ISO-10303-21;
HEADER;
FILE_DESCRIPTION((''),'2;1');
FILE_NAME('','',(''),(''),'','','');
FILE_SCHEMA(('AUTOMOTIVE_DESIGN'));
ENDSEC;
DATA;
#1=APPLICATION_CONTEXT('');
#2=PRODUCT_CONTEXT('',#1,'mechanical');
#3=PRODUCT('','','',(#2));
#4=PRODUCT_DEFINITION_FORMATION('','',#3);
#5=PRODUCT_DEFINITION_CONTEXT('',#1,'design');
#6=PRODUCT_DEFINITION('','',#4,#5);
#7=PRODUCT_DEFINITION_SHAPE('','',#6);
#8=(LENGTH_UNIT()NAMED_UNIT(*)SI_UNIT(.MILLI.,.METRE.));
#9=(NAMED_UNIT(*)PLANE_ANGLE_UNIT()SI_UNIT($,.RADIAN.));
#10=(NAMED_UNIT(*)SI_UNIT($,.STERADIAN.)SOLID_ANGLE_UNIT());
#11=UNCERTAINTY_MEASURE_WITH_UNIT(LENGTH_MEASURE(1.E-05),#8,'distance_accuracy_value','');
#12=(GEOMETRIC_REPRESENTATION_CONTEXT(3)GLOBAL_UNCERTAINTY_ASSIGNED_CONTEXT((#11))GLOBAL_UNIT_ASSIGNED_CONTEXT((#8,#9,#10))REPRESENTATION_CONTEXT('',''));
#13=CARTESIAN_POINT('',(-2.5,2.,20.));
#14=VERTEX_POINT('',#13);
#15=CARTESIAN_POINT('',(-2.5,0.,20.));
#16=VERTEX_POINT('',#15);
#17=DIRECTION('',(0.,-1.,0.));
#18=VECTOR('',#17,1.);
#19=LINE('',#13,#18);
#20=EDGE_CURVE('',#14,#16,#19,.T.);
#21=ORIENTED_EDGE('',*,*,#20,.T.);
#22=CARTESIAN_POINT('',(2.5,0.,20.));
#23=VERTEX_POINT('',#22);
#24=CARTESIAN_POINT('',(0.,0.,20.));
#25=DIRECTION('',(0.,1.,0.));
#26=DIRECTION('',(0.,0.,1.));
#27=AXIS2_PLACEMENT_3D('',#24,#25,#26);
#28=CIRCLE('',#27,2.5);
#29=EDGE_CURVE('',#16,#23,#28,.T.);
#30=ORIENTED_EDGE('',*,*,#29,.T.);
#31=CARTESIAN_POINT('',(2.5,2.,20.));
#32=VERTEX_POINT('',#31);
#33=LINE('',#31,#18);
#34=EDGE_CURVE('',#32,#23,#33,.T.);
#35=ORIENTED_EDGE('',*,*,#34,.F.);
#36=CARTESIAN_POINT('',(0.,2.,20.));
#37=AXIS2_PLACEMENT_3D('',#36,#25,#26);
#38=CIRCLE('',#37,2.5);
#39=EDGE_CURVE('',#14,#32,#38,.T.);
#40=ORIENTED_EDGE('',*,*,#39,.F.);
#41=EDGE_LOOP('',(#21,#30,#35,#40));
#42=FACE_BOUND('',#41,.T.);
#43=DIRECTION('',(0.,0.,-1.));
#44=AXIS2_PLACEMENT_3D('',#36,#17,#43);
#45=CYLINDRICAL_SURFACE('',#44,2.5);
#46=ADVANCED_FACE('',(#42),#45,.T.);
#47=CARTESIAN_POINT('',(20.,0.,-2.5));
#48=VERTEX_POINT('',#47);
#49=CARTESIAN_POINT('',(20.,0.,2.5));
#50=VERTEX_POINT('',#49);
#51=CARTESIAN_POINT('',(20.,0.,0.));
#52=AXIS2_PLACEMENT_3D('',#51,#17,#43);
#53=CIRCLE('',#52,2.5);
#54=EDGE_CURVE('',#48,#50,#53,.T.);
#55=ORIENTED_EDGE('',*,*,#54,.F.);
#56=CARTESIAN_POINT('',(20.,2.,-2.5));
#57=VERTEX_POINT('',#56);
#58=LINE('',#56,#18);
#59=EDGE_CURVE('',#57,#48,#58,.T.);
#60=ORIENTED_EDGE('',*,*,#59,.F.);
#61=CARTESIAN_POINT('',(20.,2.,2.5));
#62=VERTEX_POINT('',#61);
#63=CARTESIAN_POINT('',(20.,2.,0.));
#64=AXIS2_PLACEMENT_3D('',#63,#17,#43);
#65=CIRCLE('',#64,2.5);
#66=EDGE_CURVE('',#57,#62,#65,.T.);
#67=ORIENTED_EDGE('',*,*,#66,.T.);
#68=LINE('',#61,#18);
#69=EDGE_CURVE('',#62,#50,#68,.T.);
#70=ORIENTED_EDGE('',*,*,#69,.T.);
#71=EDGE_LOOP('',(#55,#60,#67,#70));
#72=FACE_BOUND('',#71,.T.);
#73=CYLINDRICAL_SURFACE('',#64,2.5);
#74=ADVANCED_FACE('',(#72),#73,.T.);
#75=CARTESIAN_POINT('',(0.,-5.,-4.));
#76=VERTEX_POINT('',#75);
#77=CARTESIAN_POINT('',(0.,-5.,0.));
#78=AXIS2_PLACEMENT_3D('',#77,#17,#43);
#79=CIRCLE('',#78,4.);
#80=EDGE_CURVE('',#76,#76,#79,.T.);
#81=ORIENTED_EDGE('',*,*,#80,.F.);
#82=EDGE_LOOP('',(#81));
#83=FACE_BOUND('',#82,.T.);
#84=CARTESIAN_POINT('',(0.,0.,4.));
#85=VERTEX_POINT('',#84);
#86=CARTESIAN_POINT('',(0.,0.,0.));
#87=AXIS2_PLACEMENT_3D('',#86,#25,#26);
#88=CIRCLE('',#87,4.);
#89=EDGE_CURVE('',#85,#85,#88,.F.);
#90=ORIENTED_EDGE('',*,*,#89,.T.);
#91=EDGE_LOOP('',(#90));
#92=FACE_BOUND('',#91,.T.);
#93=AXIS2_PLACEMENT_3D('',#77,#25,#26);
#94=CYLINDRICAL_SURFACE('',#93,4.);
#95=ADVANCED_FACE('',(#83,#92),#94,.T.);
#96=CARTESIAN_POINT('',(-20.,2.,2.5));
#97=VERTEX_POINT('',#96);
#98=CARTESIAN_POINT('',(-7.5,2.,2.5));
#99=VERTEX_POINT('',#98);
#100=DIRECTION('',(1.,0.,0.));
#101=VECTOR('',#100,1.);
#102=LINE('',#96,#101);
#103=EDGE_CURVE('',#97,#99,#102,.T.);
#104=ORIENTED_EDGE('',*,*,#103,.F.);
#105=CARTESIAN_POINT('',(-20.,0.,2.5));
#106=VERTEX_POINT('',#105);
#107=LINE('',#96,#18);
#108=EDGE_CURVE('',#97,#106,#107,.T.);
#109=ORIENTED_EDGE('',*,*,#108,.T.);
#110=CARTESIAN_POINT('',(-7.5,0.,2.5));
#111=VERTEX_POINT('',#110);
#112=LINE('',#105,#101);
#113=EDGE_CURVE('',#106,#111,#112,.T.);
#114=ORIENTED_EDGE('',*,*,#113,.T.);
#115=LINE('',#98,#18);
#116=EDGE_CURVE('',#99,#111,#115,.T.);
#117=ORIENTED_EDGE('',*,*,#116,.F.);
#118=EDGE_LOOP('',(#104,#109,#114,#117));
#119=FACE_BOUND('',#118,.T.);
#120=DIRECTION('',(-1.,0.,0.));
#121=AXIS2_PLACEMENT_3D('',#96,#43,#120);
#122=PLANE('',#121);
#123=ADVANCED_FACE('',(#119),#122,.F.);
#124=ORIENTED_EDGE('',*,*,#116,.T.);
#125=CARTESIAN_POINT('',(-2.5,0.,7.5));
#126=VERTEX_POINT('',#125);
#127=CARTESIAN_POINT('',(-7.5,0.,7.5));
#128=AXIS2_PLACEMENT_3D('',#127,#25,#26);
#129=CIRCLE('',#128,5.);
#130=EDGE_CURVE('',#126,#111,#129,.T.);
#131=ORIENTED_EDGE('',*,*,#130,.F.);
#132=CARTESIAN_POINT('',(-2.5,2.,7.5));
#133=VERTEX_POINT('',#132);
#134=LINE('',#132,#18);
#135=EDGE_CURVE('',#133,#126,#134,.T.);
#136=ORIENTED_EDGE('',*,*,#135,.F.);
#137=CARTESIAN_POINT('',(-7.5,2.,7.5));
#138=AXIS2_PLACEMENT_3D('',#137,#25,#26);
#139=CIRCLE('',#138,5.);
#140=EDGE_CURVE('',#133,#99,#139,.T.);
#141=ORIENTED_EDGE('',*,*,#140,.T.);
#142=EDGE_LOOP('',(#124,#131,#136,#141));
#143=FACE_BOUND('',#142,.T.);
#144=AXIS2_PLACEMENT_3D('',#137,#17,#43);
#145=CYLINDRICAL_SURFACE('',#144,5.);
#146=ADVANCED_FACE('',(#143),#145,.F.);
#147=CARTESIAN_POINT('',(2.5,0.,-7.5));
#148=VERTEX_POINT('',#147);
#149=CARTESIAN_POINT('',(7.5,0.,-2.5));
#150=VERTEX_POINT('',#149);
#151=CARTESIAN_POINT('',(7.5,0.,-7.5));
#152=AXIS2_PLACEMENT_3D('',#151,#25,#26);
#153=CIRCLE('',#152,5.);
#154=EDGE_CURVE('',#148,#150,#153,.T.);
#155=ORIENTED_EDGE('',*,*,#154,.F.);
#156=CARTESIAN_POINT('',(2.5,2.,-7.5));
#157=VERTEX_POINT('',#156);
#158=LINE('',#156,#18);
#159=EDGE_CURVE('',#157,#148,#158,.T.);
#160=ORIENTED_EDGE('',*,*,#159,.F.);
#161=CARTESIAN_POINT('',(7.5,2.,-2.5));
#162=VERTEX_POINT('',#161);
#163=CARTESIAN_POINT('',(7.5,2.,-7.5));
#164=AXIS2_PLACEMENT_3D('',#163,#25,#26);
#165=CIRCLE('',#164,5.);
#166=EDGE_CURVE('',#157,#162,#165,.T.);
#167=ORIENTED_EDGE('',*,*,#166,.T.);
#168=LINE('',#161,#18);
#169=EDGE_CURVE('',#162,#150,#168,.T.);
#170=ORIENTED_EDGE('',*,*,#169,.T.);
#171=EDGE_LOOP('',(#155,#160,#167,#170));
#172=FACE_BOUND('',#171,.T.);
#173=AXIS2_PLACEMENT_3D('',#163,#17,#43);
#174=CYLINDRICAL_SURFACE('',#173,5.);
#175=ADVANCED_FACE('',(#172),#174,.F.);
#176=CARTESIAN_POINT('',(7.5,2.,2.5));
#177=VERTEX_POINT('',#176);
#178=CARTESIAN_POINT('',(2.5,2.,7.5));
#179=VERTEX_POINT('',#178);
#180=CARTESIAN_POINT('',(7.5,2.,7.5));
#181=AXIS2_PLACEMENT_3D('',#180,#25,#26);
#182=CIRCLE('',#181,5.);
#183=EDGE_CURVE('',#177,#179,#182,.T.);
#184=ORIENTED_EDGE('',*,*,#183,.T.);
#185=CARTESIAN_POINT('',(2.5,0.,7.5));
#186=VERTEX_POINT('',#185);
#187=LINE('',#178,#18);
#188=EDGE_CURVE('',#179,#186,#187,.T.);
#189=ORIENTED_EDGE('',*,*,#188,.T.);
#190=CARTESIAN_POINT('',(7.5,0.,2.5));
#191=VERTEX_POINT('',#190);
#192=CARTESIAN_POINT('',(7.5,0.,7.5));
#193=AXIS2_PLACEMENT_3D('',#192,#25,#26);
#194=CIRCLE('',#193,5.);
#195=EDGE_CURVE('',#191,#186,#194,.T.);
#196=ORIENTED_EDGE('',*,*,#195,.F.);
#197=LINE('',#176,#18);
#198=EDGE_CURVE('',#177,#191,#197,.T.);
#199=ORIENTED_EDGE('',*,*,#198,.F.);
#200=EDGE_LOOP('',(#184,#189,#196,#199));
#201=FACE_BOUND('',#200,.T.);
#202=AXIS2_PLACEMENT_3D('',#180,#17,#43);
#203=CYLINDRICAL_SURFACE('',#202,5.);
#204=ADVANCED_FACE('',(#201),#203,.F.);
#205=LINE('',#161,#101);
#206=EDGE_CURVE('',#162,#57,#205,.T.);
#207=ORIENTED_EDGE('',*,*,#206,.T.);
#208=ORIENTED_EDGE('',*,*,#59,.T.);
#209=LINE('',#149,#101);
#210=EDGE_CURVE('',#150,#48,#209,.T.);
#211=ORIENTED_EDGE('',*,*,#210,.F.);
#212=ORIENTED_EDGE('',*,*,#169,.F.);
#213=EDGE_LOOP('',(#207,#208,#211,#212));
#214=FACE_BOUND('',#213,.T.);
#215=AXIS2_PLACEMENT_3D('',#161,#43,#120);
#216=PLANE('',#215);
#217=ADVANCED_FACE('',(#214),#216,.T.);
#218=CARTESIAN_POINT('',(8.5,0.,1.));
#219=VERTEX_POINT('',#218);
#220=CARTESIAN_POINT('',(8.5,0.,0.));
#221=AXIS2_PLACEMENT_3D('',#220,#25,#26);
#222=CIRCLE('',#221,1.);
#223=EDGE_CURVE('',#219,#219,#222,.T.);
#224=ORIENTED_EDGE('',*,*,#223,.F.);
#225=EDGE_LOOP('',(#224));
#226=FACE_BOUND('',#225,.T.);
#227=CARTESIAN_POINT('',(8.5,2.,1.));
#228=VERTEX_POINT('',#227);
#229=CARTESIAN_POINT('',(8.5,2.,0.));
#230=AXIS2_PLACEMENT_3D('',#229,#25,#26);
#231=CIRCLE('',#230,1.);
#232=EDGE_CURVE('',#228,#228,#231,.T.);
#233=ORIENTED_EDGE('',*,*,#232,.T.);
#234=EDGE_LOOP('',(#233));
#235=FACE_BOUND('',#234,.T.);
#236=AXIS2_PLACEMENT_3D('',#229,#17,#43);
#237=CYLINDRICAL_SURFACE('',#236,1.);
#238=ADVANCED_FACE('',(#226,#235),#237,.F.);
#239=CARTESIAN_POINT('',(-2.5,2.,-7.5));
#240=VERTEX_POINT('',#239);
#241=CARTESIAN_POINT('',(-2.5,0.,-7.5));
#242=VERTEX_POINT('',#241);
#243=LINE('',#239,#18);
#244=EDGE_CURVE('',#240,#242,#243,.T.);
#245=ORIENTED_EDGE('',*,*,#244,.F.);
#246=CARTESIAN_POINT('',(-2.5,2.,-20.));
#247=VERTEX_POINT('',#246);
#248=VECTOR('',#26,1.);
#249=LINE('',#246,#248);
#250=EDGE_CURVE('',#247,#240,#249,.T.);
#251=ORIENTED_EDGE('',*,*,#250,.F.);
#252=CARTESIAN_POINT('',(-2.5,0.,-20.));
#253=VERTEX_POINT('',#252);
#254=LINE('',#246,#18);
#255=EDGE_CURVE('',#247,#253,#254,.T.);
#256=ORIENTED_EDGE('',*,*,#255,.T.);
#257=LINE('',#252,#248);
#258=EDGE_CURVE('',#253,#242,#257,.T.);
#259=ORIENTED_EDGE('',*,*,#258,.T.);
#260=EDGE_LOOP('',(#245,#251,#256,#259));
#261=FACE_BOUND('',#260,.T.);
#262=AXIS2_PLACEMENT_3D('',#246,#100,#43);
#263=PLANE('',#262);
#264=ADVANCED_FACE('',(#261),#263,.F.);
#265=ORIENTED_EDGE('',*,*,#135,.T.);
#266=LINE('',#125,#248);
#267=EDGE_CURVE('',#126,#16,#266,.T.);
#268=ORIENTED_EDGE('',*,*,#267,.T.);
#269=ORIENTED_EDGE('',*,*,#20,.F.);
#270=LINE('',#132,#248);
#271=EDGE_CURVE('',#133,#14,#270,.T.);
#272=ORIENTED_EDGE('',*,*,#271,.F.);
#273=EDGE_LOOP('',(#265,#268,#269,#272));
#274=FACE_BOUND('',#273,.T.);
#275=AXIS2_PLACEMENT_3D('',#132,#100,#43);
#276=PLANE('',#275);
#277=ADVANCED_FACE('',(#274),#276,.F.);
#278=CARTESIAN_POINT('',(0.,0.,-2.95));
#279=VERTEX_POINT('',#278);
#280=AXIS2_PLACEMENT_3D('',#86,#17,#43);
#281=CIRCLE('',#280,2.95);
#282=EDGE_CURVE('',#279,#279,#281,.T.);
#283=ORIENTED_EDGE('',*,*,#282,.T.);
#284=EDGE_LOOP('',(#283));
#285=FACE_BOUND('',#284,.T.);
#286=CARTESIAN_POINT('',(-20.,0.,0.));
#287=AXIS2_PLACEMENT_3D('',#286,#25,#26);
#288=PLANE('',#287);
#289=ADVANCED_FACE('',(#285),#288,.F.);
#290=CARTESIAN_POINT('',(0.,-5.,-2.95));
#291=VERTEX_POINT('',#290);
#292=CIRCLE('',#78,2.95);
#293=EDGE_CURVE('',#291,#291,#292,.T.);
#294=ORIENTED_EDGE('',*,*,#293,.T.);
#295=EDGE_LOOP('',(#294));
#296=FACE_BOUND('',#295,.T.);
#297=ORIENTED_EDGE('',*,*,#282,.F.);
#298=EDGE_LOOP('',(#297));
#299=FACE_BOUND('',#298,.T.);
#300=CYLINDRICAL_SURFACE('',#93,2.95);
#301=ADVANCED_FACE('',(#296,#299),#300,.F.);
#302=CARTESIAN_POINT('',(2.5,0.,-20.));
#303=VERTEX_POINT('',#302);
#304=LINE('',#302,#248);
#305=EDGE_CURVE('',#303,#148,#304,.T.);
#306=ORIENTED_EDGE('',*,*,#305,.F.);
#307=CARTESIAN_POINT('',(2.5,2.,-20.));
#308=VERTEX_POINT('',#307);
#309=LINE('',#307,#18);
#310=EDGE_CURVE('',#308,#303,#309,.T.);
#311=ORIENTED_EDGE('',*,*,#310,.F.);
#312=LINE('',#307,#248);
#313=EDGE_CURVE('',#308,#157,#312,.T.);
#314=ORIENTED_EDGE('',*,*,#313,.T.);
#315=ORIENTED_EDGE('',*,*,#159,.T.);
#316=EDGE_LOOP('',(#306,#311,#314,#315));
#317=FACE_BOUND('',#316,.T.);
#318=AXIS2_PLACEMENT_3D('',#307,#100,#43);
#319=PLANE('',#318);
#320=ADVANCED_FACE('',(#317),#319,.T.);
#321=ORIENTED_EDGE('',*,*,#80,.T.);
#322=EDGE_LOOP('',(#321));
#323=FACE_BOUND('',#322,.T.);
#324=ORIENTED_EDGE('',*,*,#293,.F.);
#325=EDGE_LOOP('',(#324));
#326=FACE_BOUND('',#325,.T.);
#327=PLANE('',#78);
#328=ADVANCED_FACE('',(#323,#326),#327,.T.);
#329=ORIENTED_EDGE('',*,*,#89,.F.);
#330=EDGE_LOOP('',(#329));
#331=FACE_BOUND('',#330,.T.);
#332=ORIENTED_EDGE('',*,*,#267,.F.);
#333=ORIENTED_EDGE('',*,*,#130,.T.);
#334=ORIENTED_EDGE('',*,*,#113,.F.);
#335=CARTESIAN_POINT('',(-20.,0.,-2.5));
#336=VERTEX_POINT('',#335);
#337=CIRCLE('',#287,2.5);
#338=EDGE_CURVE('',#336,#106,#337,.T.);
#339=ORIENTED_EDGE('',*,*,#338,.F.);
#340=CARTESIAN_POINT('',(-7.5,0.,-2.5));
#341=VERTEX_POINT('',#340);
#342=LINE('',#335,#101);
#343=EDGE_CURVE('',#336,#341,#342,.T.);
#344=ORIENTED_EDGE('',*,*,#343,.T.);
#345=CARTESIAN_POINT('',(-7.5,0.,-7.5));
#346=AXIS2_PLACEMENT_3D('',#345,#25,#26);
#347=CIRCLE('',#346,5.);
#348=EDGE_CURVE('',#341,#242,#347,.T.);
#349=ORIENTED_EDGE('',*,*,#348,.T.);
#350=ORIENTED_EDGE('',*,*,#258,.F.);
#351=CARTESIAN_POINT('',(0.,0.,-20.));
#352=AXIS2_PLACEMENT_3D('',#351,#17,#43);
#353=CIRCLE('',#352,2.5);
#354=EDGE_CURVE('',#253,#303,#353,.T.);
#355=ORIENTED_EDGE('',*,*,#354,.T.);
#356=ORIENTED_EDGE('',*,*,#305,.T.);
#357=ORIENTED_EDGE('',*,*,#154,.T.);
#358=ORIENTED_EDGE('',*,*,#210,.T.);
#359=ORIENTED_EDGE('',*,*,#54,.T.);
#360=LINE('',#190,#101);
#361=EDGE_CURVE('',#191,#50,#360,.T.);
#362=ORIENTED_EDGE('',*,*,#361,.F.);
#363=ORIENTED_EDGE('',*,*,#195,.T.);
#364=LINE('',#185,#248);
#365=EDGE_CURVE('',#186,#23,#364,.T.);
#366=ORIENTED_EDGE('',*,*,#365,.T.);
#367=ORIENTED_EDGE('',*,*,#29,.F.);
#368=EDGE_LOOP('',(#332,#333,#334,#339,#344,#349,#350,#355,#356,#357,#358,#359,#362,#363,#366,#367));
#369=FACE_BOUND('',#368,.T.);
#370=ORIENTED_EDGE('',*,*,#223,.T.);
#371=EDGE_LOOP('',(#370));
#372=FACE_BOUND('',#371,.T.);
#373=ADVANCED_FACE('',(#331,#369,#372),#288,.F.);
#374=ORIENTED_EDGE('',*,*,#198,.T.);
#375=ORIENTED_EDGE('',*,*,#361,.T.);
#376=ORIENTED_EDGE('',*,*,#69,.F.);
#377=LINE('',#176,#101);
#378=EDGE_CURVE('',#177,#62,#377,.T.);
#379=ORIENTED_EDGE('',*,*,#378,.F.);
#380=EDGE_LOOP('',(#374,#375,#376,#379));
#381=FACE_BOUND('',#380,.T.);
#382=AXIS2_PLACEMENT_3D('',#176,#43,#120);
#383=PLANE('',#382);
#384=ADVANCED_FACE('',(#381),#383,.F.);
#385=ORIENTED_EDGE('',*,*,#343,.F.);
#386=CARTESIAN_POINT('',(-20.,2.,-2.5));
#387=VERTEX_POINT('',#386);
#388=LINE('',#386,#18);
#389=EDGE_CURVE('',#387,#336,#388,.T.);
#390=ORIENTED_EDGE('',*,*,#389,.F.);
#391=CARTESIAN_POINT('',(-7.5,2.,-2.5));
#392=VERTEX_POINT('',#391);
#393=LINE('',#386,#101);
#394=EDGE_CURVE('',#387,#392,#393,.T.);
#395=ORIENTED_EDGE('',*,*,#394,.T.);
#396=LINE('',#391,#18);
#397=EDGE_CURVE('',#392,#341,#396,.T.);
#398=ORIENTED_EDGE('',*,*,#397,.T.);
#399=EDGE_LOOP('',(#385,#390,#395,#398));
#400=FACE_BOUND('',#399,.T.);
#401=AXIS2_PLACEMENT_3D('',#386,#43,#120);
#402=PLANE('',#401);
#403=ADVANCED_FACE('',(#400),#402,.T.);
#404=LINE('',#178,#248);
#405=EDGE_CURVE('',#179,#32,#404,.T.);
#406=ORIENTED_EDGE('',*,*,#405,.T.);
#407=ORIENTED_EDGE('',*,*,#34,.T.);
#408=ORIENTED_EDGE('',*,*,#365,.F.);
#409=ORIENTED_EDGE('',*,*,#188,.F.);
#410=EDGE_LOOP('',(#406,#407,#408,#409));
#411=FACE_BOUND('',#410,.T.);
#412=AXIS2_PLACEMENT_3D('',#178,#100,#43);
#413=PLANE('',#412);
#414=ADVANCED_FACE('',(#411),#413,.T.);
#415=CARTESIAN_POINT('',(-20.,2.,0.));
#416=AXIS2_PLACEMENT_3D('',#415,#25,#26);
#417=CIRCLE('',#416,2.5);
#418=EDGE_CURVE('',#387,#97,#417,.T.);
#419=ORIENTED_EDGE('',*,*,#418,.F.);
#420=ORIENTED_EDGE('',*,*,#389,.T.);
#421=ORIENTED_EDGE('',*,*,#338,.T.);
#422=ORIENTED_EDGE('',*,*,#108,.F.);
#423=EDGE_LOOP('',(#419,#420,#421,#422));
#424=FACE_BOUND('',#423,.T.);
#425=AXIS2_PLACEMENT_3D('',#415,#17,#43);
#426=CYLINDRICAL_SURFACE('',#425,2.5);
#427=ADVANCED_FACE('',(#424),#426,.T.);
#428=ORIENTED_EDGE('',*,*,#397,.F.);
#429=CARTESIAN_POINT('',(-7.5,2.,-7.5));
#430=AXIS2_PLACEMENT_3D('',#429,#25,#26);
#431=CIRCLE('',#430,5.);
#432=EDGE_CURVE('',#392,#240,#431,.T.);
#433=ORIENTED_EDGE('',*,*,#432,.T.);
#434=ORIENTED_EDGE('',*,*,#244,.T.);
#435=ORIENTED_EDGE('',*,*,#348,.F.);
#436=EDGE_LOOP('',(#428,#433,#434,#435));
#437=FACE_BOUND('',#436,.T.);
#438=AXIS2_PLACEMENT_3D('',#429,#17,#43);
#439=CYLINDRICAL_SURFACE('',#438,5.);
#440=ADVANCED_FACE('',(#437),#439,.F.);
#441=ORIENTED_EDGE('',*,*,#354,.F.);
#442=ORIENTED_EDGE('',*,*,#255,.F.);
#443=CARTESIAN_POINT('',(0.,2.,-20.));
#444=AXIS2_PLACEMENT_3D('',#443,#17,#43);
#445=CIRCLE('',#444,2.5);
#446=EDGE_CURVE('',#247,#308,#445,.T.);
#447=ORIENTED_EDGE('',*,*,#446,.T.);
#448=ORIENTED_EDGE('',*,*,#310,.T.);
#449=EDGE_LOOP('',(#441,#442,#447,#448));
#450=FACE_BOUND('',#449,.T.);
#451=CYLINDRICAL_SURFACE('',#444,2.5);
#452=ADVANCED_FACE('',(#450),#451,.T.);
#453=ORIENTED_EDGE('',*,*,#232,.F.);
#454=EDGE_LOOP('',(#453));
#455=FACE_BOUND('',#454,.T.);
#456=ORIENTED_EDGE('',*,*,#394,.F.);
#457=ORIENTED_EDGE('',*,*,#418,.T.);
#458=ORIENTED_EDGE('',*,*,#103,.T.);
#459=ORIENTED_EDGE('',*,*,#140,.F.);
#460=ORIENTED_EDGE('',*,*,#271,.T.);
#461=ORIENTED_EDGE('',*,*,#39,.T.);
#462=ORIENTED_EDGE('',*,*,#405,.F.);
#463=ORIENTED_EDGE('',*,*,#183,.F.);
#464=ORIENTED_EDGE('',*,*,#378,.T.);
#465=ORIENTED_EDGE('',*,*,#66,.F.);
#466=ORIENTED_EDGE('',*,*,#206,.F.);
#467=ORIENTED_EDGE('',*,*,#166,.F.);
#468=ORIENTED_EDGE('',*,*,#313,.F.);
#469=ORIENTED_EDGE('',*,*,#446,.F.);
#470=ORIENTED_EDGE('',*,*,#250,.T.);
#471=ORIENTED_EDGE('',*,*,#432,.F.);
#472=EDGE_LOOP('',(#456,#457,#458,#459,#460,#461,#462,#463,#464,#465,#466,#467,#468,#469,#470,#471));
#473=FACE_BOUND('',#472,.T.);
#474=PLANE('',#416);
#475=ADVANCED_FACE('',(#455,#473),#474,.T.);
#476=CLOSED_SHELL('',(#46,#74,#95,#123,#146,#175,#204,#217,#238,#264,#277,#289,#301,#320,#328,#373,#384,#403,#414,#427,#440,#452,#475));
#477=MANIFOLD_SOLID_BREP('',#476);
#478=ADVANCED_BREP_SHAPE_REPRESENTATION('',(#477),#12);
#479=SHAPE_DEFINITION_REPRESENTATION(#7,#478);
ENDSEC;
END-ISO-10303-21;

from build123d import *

# Parameters (mm, degrees)
SKETCH1_R           = 1
BOSS_EXTRUDE1_DEPTH = 2
SKETCH2_R           = 4
SKETCH2_R_2         = 2.95
BOSS_EXTRUDE2_DEPTH = 5


with BuildPart() as part:
    # Sketch1 → Boss-Extrude1 (new body)
    with BuildSketch(Plane(origin=(0, 0, 0), x_dir=(1, 0, 0), z_dir=(0, 1, 0))):
        with BuildLine():
            Line((2.5, 20), (2.5, 7.5))
            ThreePointArc((2.5, 7.5), (3.964466094, 3.964466094), (7.5, 2.5))
            Line((7.5, 2.5), (20, 2.5))
            ThreePointArc((20, 2.5), (22.5, 0), (20, -2.5))
            Line((20, -2.5), (7.5, -2.5))
            ThreePointArc((7.5, -2.5), (3.964466094, -3.964466094), (2.5, -7.5))
            Line((2.5, -7.5), (2.5, -20))
            ThreePointArc((2.5, -20), (0, -22.5), (-2.5, -20))
            Line((-2.5, -20), (-2.5, -7.5))
            ThreePointArc((-2.5, -7.5), (-3.964466094, -3.964466094), (-7.5, -2.5))
            Line((-7.5, -2.5), (-20, -2.5))
            ThreePointArc((-20, -2.5), (-22.5, 0), (-20, 2.5))
            Line((-20, 2.5), (-7.5, 2.5))
            ThreePointArc((-7.5, 2.5), (-3.964466094, 3.964466094), (-2.5, 7.5))
            Line((-2.5, 7.5), (-2.5, 20))
            ThreePointArc((-2.5, 20), (0, 22.5), (2.5, 20))
        make_face()
        with Locations(Location((8.5, 0, 0), (0, 0, 270))):
            Circle(SKETCH1_R, mode=Mode.SUBTRACT)
    extrude(amount=BOSS_EXTRUDE1_DEPTH)

    # Sketch2 → Boss-Extrude2 (add)
    with BuildSketch(Plane.XZ):
        with Locations(Location((0, 0, 0), (0, 0, 90))):
            Circle(SKETCH2_R)
        with Locations(Location((0, 0, 0), (0, 0, 270))):
            Circle(SKETCH2_R_2, mode=Mode.SUBTRACT)
    extrude(amount=BOSS_EXTRUDE2_DEPTH)


solid = part.part
